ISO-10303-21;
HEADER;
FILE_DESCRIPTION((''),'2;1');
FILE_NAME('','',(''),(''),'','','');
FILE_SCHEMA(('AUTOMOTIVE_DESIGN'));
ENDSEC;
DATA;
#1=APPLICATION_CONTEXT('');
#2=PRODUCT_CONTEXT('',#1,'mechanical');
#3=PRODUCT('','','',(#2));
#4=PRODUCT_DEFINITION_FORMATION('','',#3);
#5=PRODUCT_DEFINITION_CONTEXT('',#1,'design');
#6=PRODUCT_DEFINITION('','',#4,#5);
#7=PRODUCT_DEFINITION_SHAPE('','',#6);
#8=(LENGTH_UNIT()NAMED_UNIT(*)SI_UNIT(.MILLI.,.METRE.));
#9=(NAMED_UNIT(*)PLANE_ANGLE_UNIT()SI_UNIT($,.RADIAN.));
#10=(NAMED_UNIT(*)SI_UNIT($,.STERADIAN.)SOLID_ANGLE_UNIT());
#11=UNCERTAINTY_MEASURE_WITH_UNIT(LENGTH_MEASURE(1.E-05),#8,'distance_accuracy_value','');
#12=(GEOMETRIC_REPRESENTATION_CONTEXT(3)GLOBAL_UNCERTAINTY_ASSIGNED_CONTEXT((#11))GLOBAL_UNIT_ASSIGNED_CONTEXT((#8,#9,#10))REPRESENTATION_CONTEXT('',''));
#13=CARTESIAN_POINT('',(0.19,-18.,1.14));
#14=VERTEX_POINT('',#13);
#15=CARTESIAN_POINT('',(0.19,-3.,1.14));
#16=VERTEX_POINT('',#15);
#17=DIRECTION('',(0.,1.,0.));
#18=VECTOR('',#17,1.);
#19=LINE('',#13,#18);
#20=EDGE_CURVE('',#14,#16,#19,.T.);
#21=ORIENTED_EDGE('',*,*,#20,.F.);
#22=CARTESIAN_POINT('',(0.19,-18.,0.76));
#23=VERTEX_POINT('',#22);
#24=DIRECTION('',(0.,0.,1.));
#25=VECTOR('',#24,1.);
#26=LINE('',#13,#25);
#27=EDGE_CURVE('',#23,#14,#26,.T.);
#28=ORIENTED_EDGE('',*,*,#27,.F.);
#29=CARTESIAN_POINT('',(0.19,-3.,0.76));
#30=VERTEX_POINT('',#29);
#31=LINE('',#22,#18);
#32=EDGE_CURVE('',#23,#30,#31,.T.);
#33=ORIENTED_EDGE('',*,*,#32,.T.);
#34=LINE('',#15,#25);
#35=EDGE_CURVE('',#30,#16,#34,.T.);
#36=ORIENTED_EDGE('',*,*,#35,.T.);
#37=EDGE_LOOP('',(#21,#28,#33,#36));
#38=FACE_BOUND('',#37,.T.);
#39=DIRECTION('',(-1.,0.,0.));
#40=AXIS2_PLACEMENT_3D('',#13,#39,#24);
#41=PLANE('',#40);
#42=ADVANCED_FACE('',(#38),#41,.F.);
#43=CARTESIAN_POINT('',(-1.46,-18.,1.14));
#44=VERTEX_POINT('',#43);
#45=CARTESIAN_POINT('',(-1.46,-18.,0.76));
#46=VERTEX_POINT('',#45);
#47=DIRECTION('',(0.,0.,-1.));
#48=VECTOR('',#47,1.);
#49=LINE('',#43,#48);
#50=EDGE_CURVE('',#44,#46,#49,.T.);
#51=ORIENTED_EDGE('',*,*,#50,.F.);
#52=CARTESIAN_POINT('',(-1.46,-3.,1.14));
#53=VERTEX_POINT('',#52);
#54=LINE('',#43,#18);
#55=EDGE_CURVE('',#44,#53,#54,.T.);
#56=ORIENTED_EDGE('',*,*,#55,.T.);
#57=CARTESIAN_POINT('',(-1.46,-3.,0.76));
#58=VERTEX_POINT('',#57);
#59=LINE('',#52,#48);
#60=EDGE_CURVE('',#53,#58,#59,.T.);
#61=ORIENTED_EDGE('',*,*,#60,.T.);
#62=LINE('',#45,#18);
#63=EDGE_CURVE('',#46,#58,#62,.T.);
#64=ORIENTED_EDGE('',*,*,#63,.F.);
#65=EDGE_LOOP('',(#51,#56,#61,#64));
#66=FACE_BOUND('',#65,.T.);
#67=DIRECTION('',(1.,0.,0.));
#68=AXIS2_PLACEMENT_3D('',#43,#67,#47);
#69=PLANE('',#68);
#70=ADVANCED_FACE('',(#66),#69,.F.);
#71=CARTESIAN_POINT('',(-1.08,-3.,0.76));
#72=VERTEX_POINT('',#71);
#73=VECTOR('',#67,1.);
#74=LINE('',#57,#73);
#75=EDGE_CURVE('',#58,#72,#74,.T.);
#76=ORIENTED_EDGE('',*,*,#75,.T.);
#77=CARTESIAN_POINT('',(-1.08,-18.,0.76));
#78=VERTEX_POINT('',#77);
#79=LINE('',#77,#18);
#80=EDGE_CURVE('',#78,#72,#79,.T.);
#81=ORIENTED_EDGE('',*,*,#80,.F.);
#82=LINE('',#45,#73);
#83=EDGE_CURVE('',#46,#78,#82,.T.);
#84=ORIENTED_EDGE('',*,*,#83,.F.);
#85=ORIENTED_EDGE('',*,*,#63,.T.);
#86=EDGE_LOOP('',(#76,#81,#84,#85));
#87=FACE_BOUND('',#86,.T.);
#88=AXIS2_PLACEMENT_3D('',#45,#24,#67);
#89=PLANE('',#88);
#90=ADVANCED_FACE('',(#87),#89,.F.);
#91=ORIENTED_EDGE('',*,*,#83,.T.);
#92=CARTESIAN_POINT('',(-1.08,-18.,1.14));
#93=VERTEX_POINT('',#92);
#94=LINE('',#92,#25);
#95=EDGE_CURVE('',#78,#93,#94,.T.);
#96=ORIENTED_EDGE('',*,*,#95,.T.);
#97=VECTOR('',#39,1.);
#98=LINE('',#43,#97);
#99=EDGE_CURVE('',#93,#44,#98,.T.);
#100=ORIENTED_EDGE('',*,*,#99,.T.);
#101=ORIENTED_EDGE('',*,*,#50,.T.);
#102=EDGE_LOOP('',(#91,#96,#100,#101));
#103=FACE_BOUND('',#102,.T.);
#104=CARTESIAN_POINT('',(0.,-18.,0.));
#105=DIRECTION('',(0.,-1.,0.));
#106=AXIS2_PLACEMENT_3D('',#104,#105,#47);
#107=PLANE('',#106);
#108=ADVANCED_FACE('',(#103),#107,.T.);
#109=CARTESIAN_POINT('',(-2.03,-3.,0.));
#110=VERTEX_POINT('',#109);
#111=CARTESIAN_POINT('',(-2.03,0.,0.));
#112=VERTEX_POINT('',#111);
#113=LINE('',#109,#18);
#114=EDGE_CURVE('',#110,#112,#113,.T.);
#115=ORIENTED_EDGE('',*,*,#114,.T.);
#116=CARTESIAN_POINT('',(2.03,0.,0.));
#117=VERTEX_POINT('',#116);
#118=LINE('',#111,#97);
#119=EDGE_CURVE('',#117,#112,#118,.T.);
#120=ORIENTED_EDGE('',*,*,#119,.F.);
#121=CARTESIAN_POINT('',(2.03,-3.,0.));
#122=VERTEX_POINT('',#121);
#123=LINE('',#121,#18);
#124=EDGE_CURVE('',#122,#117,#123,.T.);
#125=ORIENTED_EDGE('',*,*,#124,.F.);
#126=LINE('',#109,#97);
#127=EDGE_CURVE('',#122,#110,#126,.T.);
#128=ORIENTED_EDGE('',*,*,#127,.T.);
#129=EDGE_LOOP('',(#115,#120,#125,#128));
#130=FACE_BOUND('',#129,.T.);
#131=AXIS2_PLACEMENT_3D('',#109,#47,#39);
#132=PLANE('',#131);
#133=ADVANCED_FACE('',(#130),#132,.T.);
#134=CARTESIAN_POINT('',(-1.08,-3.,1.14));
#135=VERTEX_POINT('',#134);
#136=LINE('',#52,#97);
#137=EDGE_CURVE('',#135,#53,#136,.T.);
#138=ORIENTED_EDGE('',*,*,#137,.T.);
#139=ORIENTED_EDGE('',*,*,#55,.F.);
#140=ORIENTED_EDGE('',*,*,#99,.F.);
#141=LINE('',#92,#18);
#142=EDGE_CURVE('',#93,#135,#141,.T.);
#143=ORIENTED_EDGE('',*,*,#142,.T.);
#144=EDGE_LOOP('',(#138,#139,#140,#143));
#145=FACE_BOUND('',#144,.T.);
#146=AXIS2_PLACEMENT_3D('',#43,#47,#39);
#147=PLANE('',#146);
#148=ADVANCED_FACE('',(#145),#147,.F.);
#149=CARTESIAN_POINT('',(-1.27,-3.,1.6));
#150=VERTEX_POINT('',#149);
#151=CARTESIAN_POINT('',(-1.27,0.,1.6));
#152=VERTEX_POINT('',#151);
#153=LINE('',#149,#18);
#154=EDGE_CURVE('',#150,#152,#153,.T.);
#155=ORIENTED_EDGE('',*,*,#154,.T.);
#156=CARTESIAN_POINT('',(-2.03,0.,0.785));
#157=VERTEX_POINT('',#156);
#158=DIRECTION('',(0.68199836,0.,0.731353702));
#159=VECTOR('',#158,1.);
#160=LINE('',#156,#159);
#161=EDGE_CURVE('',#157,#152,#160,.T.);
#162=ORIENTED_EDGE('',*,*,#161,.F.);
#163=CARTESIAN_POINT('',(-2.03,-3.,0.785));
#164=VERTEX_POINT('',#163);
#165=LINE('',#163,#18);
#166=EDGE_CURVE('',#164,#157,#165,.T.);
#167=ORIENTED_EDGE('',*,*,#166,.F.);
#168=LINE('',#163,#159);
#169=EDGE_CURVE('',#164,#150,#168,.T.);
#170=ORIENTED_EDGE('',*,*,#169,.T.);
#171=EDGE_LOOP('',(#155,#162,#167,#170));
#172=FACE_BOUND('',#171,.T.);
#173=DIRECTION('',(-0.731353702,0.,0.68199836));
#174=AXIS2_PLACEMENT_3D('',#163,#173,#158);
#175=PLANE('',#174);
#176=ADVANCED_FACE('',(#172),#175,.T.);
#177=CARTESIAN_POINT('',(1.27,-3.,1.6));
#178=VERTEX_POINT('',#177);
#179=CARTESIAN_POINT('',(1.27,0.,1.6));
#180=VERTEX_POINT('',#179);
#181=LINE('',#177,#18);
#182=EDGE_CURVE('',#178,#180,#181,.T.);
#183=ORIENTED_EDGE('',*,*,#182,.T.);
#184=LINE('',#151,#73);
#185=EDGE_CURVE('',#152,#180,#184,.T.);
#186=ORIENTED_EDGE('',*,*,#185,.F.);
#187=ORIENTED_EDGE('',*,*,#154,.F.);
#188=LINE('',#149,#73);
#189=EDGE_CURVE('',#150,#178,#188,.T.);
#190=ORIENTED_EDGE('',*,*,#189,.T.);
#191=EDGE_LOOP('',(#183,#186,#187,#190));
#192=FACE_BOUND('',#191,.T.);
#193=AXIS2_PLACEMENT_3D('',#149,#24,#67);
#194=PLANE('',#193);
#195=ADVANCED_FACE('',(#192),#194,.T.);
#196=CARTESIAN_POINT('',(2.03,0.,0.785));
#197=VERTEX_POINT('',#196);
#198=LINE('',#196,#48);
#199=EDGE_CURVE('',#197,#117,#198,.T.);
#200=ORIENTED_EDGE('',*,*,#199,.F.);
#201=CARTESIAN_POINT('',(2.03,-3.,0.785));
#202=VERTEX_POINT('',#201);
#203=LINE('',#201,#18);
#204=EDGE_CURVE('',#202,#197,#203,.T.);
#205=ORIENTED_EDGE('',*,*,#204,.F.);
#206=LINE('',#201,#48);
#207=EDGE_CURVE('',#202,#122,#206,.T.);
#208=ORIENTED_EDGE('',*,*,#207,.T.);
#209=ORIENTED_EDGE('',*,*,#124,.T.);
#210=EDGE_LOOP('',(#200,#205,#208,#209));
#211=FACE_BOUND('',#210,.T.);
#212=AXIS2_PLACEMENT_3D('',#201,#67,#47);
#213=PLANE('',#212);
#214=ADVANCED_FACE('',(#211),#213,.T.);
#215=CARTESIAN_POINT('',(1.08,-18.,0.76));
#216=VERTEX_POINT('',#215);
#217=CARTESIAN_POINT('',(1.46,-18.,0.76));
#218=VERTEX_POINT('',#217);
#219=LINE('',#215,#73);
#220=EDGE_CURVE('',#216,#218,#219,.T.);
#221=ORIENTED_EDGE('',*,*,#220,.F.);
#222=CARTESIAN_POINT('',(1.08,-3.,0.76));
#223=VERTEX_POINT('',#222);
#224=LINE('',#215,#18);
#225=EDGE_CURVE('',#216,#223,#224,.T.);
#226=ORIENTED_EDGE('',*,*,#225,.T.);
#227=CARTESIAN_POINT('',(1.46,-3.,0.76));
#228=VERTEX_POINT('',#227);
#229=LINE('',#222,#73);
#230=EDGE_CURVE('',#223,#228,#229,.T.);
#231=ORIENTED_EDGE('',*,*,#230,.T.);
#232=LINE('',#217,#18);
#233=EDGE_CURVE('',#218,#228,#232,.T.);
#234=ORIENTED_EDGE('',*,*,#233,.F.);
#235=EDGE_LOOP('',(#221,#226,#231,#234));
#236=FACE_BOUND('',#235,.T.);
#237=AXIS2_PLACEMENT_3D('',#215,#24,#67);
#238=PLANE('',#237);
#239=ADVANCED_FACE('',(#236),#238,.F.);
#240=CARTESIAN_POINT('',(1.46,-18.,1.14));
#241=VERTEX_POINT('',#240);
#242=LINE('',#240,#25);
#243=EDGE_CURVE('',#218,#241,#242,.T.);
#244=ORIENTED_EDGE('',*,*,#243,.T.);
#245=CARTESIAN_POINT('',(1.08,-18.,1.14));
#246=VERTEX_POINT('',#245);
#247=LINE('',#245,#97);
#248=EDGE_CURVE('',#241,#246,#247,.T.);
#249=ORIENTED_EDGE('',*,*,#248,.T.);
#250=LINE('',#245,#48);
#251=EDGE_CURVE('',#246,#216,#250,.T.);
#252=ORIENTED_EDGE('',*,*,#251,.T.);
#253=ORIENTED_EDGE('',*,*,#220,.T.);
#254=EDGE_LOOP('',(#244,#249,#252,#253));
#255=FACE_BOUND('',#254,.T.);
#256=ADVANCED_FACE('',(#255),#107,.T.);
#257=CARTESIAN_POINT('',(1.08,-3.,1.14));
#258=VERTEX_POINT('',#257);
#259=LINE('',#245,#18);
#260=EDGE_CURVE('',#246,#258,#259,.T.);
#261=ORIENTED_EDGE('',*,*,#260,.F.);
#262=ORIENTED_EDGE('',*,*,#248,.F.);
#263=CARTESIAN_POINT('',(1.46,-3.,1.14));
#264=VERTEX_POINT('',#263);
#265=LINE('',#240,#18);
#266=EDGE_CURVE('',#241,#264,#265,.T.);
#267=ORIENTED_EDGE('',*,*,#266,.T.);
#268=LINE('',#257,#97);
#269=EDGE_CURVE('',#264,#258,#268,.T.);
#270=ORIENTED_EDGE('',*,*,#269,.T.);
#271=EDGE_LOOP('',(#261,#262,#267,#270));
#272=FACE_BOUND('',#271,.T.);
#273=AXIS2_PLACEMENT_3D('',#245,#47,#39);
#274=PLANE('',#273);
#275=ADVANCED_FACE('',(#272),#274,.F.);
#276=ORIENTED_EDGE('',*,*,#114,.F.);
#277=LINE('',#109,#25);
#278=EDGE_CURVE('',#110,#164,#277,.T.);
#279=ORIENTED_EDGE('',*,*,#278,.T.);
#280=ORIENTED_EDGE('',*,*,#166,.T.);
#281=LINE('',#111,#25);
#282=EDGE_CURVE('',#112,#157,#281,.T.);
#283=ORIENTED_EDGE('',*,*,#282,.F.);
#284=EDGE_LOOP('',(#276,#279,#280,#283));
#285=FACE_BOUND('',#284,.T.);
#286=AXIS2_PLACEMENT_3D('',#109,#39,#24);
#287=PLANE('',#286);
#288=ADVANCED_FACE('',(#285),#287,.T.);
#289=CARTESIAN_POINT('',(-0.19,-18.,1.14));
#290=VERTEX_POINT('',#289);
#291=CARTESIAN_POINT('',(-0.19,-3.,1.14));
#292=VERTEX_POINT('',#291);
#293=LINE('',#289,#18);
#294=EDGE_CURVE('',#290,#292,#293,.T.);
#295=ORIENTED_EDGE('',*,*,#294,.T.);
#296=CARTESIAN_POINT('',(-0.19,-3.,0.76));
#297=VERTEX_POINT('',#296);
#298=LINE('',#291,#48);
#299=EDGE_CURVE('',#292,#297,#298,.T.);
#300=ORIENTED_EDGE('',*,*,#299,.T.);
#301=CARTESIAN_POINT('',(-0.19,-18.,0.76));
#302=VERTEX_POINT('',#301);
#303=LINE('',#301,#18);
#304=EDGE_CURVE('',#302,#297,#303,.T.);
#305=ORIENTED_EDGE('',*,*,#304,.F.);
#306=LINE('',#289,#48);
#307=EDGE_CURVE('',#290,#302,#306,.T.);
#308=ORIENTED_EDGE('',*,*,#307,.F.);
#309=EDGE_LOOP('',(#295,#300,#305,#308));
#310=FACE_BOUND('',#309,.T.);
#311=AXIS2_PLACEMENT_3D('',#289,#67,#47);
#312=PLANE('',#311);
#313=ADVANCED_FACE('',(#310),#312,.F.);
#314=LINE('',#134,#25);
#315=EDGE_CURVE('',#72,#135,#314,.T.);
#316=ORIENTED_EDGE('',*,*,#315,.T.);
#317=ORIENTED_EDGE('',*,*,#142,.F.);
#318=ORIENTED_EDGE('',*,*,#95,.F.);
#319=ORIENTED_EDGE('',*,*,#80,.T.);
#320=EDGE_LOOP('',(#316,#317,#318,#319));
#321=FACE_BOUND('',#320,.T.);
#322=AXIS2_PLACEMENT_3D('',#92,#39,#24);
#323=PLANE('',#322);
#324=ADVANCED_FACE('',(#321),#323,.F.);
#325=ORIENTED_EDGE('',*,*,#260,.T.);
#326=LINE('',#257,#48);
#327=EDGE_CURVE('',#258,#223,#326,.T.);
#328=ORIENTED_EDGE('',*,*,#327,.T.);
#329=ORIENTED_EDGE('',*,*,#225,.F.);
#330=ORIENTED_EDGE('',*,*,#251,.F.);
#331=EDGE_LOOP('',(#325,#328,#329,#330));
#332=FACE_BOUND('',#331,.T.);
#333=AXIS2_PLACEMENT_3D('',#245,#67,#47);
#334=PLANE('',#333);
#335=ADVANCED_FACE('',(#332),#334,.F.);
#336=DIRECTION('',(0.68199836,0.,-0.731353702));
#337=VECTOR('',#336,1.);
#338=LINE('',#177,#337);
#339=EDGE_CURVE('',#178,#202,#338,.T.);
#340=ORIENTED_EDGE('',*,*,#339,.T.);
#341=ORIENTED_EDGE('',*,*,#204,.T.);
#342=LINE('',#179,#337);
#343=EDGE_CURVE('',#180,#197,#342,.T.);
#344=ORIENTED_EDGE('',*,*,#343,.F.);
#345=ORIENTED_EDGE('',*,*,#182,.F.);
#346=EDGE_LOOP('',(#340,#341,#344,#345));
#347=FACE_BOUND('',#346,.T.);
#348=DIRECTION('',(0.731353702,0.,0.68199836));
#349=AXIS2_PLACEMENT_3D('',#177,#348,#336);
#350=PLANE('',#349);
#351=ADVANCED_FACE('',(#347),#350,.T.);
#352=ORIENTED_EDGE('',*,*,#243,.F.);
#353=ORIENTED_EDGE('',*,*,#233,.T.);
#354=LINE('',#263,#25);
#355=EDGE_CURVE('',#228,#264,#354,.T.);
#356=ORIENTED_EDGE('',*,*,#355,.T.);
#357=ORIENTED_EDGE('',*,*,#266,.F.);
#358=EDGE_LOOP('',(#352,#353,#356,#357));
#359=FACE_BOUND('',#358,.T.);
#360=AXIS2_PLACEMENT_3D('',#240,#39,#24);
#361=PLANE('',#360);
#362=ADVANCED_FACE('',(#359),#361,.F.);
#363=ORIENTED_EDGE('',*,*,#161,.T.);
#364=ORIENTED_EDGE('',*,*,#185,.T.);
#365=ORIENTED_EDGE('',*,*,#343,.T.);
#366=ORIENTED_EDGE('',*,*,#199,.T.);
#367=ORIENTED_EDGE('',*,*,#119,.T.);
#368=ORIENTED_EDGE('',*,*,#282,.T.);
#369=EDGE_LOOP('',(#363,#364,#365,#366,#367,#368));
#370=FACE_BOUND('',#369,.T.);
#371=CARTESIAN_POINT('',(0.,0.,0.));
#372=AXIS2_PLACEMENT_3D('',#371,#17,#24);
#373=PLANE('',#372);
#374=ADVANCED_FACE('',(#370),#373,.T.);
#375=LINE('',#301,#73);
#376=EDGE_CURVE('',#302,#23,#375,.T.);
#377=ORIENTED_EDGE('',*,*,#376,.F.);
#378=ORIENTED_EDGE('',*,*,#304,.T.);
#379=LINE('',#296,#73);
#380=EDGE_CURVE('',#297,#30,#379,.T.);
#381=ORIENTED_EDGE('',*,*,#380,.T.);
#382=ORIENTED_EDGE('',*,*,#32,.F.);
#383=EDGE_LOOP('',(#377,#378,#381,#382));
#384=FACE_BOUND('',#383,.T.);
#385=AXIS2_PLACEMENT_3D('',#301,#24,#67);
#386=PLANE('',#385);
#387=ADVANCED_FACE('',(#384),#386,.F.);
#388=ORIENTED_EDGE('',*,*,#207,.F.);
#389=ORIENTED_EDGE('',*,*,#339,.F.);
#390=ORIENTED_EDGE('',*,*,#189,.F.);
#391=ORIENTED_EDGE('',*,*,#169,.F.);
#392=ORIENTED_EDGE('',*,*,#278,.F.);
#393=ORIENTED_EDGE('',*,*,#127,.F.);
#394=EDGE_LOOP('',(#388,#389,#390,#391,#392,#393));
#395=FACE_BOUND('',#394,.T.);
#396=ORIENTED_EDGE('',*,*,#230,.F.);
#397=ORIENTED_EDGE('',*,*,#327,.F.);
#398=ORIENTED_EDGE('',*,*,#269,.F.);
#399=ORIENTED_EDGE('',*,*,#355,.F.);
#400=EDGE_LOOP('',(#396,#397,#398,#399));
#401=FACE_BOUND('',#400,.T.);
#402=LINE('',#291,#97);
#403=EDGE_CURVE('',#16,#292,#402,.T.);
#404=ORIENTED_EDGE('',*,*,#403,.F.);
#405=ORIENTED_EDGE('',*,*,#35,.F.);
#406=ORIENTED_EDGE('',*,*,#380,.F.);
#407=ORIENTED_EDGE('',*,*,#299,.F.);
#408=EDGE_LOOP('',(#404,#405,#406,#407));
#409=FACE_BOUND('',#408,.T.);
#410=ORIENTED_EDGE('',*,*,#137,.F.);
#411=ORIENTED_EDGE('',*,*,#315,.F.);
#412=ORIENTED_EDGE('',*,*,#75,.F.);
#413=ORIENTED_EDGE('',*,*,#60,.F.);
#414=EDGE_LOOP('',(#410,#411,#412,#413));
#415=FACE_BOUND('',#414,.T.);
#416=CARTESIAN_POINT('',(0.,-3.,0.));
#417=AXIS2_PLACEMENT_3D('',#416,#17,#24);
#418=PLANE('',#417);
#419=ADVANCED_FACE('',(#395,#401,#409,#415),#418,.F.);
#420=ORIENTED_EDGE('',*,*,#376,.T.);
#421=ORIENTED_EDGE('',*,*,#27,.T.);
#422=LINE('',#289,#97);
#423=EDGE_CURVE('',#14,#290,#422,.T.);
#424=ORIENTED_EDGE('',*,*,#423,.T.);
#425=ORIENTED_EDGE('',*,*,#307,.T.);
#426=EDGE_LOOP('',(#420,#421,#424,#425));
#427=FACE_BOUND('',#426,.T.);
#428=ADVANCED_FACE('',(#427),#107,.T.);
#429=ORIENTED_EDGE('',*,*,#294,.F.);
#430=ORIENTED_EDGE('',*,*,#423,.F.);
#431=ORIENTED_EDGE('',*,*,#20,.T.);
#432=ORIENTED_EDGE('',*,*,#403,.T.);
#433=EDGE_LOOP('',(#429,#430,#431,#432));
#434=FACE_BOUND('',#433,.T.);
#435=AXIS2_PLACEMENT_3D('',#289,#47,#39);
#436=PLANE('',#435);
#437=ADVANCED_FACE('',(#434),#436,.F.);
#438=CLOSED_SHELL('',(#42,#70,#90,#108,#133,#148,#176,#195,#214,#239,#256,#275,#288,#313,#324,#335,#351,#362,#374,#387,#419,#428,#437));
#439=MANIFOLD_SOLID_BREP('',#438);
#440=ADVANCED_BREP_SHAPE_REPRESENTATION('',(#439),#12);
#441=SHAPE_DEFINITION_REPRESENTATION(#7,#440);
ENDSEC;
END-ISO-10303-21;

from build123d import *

# Parameters (mm, degrees)
BOSS_EXTRUDE1_DEPTH = 3
SKETCH3_W           = 0.38
SKETCH3_H           = 0.38
BOSS_EXTRUDE2_DEPTH = 15


with BuildPart() as part:
    # PROF_TOP_VIEW → Boss-Extrude1 (new body)
    with BuildSketch(Plane(origin=(0, 0, 0), x_dir=(1, 0, 0), z_dir=(0, 1, 0))):
        Polygon((-2.03, 0), (2.03, 0), (2.03, -0.78499978), (1.27, -1.6), (-1.27, -1.6), (-2.03, -0.78499978), align=None)
    extrude(amount=-BOSS_EXTRUDE1_DEPTH)

    # Sketch3 → Boss-Extrude2 (add)
    with BuildSketch(Plane.XZ.offset(3)):
        with Locations((-1.27, 0.95)):
            Rectangle(SKETCH3_W, SKETCH3_H)
        with Locations((0, 0.95)):
            Rectangle(SKETCH3_W, SKETCH3_H)
        with Locations((1.27, 0.95)):
            Rectangle(SKETCH3_W, SKETCH3_H)
    extrude(amount=BOSS_EXTRUDE2_DEPTH)


solid = part.part
